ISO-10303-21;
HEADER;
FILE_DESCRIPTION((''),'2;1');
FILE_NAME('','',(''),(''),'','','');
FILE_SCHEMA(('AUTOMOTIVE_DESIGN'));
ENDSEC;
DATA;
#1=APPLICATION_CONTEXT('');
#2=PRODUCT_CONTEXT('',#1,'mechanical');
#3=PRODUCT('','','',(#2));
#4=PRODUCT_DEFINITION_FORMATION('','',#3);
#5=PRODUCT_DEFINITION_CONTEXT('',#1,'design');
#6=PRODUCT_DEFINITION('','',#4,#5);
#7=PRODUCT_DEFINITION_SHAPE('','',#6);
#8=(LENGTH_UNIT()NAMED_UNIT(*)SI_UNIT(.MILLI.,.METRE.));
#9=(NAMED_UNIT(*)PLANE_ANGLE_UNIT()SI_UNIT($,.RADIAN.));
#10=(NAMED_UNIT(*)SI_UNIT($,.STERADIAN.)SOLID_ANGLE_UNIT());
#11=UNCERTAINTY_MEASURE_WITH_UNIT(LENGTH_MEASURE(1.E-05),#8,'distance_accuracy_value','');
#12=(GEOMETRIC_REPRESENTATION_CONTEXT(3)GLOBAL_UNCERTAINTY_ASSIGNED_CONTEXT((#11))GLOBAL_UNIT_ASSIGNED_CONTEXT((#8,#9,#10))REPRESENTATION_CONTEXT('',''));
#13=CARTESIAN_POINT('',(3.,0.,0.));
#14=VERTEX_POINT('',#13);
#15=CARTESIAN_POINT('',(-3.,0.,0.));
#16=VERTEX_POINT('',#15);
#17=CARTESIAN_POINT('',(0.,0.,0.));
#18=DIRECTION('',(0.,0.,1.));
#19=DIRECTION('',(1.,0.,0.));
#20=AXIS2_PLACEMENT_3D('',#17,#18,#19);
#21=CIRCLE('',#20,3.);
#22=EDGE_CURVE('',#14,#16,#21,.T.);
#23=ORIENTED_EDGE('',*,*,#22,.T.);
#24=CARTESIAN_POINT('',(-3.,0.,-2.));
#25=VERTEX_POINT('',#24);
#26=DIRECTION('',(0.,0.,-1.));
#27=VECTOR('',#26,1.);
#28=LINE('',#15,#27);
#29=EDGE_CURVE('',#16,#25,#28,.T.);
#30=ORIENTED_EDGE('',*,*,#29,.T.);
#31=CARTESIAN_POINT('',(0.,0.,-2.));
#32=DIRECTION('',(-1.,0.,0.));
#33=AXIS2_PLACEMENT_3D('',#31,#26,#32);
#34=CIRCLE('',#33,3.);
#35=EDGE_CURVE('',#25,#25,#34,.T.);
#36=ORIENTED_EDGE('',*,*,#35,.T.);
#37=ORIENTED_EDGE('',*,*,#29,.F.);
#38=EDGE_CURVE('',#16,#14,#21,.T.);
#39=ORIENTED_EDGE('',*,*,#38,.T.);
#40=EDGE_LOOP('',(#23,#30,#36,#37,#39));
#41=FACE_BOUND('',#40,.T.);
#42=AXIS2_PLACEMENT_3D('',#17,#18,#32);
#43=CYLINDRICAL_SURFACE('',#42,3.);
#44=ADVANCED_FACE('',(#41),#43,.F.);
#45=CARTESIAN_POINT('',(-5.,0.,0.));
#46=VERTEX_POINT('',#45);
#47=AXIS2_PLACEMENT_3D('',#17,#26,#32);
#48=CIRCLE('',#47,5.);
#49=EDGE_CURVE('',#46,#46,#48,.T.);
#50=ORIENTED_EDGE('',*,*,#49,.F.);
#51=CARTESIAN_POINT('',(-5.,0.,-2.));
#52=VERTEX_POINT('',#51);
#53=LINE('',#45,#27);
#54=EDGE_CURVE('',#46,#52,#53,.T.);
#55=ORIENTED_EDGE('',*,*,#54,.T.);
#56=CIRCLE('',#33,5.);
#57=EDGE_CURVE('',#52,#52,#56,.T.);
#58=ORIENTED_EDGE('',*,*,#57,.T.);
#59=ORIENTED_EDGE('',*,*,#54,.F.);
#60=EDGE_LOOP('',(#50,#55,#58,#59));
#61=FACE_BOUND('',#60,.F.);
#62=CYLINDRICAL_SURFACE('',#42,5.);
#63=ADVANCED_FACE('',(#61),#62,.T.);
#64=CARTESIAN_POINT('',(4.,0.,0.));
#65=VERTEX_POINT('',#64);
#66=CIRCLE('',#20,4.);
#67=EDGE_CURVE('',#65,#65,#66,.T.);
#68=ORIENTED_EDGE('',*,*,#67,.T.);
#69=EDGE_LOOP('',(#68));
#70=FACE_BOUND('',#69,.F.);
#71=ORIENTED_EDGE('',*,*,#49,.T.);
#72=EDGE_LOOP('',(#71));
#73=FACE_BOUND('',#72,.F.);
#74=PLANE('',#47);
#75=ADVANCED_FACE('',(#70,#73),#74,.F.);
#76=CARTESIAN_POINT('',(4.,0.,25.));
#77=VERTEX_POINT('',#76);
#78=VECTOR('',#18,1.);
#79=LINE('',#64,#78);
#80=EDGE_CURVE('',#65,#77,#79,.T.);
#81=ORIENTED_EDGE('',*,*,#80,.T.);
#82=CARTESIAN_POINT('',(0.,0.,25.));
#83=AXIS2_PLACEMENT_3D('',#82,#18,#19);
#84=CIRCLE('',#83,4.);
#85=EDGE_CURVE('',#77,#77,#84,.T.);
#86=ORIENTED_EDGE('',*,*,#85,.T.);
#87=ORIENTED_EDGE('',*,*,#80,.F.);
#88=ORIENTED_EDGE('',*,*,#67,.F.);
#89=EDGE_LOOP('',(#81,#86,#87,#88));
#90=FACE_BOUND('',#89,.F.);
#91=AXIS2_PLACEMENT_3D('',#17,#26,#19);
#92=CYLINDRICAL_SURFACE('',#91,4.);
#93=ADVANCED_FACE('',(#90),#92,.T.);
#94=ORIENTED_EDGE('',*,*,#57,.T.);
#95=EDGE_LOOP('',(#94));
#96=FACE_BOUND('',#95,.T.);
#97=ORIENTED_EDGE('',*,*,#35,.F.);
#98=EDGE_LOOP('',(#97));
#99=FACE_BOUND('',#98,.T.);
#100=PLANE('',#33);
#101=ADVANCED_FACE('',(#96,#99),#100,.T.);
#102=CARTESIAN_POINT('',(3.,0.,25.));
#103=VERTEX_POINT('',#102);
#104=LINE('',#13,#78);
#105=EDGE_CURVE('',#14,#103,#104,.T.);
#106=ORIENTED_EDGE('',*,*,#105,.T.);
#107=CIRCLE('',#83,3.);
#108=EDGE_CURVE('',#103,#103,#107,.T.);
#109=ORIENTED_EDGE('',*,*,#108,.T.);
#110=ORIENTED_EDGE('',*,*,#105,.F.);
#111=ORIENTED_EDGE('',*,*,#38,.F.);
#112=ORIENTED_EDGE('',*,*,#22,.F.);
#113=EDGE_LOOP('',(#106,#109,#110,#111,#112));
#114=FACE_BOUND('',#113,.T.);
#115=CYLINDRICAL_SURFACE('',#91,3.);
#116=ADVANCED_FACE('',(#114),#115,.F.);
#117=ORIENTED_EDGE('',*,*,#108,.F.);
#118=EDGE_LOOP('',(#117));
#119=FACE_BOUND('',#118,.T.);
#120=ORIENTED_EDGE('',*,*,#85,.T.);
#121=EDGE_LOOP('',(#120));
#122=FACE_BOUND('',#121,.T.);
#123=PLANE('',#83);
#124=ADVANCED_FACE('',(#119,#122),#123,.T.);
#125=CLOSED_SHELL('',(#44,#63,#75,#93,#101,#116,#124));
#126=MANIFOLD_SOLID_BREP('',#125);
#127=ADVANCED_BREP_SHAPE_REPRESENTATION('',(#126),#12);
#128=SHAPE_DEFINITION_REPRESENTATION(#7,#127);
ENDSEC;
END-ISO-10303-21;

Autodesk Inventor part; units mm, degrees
ref_plane "YZ Plane" through (0, 0, 0) normal (1, 0, 0) x (0, 1, 0)
ref_plane "XZ Plane" through (0, 0, 0) normal (0, 1, 0) x (-1, 0, 0)
ref_plane "XY Plane" through (0, 0, 0) normal (0, 0, 1) x (1, 0, 0)
sketch "Szkic1" plane through (0, 0, 0) normal (0, 0, 1) x (1, 0, 0)
  circle A0 centre (0, 0) radius 3
  circle A1 centre (0, 0) radius 4
  dimension "d0" = 6
  dimension "d1" = 8
extrude "Wyciągnięcie proste1" add sketch "Szkic1" along normal blind 25
sketch "Szkic2" plane through (0, 0, 0) normal (0, 0, -1) x (-1, 0, 0)
  circle A0 centre (0, 0) radius 3
  circle A1 centre (0, 0) radius 5
  dimension "d4" = 6
  dimension "d5" = 10
extrude "Wyciągnięcie proste2" add sketch "Szkic2" along normal blind 2
properties part number "tuleja-palak" material "Mosiądz, miękki żółty"
